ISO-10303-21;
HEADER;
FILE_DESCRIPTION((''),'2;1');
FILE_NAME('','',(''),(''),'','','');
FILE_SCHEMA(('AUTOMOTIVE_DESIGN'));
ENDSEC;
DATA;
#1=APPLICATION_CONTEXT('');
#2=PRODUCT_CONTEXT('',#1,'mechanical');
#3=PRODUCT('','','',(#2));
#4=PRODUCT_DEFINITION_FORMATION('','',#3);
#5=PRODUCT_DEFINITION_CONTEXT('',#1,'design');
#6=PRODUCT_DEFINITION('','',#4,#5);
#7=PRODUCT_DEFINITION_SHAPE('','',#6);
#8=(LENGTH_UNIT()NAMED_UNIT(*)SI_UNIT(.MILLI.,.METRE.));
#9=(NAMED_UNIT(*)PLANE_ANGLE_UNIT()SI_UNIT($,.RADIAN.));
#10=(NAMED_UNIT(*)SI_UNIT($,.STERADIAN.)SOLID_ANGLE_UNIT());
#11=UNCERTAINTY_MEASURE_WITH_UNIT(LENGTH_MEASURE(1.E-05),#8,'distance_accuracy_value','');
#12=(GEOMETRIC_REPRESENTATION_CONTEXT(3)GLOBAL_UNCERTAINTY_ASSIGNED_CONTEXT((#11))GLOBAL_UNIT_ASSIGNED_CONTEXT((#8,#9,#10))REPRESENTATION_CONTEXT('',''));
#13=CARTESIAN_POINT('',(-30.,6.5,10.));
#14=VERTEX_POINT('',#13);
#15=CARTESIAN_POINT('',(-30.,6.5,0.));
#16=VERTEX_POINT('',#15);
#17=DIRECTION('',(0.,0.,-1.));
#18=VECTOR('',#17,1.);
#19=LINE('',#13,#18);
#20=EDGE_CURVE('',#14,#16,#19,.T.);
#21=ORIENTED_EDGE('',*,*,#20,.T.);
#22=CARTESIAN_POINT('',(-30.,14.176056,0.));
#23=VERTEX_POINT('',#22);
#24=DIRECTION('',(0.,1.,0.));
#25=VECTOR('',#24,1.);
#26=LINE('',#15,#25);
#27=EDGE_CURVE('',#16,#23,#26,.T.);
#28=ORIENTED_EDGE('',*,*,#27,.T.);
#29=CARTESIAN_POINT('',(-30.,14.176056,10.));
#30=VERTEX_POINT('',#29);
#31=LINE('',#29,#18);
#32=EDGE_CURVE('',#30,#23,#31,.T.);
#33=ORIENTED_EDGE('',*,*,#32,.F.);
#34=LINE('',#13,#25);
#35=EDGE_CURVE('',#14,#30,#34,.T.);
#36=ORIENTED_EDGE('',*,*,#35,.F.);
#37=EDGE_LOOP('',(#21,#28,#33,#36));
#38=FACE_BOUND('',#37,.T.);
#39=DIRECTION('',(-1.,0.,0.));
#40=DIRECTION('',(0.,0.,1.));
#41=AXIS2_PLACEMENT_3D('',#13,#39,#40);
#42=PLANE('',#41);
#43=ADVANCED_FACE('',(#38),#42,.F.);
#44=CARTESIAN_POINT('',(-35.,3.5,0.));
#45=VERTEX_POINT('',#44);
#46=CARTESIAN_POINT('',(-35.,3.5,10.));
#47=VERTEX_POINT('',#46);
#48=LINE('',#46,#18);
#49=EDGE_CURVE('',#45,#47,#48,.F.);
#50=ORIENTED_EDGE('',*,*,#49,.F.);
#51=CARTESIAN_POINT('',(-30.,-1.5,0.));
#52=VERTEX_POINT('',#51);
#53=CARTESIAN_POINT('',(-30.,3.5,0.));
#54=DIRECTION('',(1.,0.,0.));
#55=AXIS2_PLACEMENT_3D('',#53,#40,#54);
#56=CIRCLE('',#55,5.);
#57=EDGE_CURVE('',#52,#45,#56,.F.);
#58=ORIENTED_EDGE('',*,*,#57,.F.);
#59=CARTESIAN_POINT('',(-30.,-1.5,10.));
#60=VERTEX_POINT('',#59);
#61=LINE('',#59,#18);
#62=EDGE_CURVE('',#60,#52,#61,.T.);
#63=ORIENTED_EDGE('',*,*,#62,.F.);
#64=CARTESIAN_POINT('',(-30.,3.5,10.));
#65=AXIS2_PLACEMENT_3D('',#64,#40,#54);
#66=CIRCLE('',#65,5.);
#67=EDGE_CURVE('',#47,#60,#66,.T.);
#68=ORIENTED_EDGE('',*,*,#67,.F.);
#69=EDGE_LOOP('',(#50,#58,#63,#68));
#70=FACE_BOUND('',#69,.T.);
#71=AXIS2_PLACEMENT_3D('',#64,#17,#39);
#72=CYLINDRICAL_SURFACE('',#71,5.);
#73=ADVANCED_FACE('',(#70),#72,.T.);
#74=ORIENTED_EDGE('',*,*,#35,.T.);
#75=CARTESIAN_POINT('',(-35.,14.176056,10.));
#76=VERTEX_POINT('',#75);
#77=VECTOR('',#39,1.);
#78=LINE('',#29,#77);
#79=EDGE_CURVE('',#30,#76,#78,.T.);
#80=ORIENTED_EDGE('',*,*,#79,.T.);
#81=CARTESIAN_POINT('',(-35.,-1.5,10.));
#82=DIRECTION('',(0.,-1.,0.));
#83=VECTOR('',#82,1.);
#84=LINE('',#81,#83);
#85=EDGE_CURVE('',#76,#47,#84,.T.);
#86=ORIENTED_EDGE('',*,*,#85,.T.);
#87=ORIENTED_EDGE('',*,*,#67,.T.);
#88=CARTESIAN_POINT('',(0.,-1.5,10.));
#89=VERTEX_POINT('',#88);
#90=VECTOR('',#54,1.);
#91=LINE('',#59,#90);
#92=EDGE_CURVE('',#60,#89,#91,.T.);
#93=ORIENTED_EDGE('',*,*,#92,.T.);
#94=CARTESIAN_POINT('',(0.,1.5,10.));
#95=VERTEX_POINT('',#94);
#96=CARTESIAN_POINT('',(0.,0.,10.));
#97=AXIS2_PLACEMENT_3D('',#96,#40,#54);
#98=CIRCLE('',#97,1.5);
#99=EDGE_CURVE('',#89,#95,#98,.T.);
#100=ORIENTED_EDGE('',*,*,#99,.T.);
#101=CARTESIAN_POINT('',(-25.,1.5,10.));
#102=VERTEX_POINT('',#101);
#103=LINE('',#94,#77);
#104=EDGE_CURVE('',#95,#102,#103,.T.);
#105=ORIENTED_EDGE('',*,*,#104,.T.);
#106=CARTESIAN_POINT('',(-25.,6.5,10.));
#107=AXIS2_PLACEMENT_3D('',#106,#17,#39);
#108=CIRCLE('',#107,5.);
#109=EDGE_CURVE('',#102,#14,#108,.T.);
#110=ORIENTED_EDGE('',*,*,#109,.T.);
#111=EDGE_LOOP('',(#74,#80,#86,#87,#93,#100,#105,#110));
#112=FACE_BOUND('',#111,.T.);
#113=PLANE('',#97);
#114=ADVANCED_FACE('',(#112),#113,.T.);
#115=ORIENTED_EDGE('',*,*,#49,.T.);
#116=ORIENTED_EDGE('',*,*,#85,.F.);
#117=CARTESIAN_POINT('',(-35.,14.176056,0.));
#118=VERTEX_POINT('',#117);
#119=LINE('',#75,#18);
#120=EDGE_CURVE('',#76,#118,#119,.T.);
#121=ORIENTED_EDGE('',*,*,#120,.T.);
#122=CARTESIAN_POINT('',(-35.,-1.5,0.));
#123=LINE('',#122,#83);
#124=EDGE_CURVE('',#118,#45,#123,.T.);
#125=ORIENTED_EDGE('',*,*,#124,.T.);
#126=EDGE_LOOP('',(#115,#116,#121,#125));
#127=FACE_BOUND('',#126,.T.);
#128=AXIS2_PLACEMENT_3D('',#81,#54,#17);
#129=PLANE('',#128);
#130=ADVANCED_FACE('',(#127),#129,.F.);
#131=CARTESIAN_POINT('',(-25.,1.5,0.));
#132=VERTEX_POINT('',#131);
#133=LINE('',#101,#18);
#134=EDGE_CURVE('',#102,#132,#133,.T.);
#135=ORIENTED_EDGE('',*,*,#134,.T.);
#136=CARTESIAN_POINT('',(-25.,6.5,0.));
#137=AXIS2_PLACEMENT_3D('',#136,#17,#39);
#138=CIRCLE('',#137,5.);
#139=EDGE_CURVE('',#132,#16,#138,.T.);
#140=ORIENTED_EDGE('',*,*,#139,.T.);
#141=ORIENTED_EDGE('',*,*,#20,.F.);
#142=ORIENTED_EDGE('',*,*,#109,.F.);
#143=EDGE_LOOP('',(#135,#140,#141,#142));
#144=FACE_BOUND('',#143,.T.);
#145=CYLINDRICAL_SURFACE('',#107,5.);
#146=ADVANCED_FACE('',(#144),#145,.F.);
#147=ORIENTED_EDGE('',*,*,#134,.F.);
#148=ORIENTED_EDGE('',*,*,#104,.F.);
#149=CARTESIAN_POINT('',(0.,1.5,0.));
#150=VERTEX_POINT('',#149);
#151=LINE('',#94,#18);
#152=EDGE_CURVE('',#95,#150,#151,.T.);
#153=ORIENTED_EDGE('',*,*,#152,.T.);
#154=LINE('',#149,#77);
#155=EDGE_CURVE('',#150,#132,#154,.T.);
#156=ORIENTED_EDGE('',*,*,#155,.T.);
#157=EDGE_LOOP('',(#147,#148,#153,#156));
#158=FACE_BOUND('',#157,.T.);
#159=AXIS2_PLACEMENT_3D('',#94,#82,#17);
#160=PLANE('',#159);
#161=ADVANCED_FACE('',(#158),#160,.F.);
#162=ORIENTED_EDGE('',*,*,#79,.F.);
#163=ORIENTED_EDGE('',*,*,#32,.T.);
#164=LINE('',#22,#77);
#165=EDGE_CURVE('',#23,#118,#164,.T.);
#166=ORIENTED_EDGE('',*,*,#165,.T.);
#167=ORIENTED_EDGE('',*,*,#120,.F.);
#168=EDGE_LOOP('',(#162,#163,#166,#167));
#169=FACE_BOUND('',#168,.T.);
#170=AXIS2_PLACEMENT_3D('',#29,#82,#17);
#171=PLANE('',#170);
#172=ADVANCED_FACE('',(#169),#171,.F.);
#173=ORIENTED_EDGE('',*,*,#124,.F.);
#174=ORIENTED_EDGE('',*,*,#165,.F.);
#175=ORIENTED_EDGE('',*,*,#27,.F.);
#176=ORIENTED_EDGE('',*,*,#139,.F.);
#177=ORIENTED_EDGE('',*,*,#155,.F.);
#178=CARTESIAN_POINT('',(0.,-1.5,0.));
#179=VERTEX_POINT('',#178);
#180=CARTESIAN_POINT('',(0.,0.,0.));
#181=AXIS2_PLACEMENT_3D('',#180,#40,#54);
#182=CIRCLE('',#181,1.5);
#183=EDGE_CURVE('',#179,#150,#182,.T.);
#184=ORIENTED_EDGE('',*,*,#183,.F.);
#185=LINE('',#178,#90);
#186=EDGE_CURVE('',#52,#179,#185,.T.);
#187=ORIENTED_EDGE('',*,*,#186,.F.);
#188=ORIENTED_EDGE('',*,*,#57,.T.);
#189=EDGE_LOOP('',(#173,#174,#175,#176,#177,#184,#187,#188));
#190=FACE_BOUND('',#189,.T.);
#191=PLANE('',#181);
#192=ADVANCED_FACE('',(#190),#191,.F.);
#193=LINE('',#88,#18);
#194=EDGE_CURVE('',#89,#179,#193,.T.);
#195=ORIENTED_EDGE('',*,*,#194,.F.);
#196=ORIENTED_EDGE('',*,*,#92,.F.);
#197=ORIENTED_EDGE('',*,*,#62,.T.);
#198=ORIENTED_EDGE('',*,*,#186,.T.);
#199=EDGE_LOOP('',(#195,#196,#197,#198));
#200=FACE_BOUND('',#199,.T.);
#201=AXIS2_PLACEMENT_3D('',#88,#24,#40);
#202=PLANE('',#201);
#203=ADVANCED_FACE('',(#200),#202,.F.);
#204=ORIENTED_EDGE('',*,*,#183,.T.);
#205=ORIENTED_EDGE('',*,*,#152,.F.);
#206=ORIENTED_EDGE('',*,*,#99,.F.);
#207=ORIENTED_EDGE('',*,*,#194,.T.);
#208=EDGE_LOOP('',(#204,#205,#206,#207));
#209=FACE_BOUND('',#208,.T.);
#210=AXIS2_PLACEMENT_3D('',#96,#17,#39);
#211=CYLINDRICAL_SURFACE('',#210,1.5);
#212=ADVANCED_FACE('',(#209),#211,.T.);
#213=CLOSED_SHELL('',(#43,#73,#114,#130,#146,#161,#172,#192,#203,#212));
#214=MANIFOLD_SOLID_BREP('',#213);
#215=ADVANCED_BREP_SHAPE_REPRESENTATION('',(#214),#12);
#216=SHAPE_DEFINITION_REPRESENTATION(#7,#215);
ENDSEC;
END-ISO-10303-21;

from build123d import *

# Parameters (mm, degrees)
EXTRUDE_1_DEPTH = 10
FILLET_1_R      = 5


with BuildPart() as part:
    # 草图1 → 凸台-拉伸1 (new body)
    with BuildSketch(Plane.XY):
        with BuildLine():
            Line((0, -1.5), (-30, -1.5))
            Line((-30, -1.5), (-35, -1.5))
            Line((-35, -1.5), (-35, 14.176056338))
            Line((-35, 14.176056338), (-30, 14.176056338))
            Line((-30, 14.176056338), (-30, 6.5))
            ThreePointArc((-30, 6.5), (-28.535533906, 2.964466094), (-25, 1.5))
            Line((-25, 1.5), (0, 1.5))
            ThreePointArc((0, 1.5), (1.5, 0), (0, -1.5))
        make_face()
    extrude(amount=EXTRUDE_1_DEPTH)

    # 圆角1
    fillet_1_edges = [part.edges().sort_by_distance(p)[0] for p in [
        (-35, -1.5, 5),
    ]]
    fillet(fillet_1_edges, radius=FILLET_1_R)


solid = part.part
